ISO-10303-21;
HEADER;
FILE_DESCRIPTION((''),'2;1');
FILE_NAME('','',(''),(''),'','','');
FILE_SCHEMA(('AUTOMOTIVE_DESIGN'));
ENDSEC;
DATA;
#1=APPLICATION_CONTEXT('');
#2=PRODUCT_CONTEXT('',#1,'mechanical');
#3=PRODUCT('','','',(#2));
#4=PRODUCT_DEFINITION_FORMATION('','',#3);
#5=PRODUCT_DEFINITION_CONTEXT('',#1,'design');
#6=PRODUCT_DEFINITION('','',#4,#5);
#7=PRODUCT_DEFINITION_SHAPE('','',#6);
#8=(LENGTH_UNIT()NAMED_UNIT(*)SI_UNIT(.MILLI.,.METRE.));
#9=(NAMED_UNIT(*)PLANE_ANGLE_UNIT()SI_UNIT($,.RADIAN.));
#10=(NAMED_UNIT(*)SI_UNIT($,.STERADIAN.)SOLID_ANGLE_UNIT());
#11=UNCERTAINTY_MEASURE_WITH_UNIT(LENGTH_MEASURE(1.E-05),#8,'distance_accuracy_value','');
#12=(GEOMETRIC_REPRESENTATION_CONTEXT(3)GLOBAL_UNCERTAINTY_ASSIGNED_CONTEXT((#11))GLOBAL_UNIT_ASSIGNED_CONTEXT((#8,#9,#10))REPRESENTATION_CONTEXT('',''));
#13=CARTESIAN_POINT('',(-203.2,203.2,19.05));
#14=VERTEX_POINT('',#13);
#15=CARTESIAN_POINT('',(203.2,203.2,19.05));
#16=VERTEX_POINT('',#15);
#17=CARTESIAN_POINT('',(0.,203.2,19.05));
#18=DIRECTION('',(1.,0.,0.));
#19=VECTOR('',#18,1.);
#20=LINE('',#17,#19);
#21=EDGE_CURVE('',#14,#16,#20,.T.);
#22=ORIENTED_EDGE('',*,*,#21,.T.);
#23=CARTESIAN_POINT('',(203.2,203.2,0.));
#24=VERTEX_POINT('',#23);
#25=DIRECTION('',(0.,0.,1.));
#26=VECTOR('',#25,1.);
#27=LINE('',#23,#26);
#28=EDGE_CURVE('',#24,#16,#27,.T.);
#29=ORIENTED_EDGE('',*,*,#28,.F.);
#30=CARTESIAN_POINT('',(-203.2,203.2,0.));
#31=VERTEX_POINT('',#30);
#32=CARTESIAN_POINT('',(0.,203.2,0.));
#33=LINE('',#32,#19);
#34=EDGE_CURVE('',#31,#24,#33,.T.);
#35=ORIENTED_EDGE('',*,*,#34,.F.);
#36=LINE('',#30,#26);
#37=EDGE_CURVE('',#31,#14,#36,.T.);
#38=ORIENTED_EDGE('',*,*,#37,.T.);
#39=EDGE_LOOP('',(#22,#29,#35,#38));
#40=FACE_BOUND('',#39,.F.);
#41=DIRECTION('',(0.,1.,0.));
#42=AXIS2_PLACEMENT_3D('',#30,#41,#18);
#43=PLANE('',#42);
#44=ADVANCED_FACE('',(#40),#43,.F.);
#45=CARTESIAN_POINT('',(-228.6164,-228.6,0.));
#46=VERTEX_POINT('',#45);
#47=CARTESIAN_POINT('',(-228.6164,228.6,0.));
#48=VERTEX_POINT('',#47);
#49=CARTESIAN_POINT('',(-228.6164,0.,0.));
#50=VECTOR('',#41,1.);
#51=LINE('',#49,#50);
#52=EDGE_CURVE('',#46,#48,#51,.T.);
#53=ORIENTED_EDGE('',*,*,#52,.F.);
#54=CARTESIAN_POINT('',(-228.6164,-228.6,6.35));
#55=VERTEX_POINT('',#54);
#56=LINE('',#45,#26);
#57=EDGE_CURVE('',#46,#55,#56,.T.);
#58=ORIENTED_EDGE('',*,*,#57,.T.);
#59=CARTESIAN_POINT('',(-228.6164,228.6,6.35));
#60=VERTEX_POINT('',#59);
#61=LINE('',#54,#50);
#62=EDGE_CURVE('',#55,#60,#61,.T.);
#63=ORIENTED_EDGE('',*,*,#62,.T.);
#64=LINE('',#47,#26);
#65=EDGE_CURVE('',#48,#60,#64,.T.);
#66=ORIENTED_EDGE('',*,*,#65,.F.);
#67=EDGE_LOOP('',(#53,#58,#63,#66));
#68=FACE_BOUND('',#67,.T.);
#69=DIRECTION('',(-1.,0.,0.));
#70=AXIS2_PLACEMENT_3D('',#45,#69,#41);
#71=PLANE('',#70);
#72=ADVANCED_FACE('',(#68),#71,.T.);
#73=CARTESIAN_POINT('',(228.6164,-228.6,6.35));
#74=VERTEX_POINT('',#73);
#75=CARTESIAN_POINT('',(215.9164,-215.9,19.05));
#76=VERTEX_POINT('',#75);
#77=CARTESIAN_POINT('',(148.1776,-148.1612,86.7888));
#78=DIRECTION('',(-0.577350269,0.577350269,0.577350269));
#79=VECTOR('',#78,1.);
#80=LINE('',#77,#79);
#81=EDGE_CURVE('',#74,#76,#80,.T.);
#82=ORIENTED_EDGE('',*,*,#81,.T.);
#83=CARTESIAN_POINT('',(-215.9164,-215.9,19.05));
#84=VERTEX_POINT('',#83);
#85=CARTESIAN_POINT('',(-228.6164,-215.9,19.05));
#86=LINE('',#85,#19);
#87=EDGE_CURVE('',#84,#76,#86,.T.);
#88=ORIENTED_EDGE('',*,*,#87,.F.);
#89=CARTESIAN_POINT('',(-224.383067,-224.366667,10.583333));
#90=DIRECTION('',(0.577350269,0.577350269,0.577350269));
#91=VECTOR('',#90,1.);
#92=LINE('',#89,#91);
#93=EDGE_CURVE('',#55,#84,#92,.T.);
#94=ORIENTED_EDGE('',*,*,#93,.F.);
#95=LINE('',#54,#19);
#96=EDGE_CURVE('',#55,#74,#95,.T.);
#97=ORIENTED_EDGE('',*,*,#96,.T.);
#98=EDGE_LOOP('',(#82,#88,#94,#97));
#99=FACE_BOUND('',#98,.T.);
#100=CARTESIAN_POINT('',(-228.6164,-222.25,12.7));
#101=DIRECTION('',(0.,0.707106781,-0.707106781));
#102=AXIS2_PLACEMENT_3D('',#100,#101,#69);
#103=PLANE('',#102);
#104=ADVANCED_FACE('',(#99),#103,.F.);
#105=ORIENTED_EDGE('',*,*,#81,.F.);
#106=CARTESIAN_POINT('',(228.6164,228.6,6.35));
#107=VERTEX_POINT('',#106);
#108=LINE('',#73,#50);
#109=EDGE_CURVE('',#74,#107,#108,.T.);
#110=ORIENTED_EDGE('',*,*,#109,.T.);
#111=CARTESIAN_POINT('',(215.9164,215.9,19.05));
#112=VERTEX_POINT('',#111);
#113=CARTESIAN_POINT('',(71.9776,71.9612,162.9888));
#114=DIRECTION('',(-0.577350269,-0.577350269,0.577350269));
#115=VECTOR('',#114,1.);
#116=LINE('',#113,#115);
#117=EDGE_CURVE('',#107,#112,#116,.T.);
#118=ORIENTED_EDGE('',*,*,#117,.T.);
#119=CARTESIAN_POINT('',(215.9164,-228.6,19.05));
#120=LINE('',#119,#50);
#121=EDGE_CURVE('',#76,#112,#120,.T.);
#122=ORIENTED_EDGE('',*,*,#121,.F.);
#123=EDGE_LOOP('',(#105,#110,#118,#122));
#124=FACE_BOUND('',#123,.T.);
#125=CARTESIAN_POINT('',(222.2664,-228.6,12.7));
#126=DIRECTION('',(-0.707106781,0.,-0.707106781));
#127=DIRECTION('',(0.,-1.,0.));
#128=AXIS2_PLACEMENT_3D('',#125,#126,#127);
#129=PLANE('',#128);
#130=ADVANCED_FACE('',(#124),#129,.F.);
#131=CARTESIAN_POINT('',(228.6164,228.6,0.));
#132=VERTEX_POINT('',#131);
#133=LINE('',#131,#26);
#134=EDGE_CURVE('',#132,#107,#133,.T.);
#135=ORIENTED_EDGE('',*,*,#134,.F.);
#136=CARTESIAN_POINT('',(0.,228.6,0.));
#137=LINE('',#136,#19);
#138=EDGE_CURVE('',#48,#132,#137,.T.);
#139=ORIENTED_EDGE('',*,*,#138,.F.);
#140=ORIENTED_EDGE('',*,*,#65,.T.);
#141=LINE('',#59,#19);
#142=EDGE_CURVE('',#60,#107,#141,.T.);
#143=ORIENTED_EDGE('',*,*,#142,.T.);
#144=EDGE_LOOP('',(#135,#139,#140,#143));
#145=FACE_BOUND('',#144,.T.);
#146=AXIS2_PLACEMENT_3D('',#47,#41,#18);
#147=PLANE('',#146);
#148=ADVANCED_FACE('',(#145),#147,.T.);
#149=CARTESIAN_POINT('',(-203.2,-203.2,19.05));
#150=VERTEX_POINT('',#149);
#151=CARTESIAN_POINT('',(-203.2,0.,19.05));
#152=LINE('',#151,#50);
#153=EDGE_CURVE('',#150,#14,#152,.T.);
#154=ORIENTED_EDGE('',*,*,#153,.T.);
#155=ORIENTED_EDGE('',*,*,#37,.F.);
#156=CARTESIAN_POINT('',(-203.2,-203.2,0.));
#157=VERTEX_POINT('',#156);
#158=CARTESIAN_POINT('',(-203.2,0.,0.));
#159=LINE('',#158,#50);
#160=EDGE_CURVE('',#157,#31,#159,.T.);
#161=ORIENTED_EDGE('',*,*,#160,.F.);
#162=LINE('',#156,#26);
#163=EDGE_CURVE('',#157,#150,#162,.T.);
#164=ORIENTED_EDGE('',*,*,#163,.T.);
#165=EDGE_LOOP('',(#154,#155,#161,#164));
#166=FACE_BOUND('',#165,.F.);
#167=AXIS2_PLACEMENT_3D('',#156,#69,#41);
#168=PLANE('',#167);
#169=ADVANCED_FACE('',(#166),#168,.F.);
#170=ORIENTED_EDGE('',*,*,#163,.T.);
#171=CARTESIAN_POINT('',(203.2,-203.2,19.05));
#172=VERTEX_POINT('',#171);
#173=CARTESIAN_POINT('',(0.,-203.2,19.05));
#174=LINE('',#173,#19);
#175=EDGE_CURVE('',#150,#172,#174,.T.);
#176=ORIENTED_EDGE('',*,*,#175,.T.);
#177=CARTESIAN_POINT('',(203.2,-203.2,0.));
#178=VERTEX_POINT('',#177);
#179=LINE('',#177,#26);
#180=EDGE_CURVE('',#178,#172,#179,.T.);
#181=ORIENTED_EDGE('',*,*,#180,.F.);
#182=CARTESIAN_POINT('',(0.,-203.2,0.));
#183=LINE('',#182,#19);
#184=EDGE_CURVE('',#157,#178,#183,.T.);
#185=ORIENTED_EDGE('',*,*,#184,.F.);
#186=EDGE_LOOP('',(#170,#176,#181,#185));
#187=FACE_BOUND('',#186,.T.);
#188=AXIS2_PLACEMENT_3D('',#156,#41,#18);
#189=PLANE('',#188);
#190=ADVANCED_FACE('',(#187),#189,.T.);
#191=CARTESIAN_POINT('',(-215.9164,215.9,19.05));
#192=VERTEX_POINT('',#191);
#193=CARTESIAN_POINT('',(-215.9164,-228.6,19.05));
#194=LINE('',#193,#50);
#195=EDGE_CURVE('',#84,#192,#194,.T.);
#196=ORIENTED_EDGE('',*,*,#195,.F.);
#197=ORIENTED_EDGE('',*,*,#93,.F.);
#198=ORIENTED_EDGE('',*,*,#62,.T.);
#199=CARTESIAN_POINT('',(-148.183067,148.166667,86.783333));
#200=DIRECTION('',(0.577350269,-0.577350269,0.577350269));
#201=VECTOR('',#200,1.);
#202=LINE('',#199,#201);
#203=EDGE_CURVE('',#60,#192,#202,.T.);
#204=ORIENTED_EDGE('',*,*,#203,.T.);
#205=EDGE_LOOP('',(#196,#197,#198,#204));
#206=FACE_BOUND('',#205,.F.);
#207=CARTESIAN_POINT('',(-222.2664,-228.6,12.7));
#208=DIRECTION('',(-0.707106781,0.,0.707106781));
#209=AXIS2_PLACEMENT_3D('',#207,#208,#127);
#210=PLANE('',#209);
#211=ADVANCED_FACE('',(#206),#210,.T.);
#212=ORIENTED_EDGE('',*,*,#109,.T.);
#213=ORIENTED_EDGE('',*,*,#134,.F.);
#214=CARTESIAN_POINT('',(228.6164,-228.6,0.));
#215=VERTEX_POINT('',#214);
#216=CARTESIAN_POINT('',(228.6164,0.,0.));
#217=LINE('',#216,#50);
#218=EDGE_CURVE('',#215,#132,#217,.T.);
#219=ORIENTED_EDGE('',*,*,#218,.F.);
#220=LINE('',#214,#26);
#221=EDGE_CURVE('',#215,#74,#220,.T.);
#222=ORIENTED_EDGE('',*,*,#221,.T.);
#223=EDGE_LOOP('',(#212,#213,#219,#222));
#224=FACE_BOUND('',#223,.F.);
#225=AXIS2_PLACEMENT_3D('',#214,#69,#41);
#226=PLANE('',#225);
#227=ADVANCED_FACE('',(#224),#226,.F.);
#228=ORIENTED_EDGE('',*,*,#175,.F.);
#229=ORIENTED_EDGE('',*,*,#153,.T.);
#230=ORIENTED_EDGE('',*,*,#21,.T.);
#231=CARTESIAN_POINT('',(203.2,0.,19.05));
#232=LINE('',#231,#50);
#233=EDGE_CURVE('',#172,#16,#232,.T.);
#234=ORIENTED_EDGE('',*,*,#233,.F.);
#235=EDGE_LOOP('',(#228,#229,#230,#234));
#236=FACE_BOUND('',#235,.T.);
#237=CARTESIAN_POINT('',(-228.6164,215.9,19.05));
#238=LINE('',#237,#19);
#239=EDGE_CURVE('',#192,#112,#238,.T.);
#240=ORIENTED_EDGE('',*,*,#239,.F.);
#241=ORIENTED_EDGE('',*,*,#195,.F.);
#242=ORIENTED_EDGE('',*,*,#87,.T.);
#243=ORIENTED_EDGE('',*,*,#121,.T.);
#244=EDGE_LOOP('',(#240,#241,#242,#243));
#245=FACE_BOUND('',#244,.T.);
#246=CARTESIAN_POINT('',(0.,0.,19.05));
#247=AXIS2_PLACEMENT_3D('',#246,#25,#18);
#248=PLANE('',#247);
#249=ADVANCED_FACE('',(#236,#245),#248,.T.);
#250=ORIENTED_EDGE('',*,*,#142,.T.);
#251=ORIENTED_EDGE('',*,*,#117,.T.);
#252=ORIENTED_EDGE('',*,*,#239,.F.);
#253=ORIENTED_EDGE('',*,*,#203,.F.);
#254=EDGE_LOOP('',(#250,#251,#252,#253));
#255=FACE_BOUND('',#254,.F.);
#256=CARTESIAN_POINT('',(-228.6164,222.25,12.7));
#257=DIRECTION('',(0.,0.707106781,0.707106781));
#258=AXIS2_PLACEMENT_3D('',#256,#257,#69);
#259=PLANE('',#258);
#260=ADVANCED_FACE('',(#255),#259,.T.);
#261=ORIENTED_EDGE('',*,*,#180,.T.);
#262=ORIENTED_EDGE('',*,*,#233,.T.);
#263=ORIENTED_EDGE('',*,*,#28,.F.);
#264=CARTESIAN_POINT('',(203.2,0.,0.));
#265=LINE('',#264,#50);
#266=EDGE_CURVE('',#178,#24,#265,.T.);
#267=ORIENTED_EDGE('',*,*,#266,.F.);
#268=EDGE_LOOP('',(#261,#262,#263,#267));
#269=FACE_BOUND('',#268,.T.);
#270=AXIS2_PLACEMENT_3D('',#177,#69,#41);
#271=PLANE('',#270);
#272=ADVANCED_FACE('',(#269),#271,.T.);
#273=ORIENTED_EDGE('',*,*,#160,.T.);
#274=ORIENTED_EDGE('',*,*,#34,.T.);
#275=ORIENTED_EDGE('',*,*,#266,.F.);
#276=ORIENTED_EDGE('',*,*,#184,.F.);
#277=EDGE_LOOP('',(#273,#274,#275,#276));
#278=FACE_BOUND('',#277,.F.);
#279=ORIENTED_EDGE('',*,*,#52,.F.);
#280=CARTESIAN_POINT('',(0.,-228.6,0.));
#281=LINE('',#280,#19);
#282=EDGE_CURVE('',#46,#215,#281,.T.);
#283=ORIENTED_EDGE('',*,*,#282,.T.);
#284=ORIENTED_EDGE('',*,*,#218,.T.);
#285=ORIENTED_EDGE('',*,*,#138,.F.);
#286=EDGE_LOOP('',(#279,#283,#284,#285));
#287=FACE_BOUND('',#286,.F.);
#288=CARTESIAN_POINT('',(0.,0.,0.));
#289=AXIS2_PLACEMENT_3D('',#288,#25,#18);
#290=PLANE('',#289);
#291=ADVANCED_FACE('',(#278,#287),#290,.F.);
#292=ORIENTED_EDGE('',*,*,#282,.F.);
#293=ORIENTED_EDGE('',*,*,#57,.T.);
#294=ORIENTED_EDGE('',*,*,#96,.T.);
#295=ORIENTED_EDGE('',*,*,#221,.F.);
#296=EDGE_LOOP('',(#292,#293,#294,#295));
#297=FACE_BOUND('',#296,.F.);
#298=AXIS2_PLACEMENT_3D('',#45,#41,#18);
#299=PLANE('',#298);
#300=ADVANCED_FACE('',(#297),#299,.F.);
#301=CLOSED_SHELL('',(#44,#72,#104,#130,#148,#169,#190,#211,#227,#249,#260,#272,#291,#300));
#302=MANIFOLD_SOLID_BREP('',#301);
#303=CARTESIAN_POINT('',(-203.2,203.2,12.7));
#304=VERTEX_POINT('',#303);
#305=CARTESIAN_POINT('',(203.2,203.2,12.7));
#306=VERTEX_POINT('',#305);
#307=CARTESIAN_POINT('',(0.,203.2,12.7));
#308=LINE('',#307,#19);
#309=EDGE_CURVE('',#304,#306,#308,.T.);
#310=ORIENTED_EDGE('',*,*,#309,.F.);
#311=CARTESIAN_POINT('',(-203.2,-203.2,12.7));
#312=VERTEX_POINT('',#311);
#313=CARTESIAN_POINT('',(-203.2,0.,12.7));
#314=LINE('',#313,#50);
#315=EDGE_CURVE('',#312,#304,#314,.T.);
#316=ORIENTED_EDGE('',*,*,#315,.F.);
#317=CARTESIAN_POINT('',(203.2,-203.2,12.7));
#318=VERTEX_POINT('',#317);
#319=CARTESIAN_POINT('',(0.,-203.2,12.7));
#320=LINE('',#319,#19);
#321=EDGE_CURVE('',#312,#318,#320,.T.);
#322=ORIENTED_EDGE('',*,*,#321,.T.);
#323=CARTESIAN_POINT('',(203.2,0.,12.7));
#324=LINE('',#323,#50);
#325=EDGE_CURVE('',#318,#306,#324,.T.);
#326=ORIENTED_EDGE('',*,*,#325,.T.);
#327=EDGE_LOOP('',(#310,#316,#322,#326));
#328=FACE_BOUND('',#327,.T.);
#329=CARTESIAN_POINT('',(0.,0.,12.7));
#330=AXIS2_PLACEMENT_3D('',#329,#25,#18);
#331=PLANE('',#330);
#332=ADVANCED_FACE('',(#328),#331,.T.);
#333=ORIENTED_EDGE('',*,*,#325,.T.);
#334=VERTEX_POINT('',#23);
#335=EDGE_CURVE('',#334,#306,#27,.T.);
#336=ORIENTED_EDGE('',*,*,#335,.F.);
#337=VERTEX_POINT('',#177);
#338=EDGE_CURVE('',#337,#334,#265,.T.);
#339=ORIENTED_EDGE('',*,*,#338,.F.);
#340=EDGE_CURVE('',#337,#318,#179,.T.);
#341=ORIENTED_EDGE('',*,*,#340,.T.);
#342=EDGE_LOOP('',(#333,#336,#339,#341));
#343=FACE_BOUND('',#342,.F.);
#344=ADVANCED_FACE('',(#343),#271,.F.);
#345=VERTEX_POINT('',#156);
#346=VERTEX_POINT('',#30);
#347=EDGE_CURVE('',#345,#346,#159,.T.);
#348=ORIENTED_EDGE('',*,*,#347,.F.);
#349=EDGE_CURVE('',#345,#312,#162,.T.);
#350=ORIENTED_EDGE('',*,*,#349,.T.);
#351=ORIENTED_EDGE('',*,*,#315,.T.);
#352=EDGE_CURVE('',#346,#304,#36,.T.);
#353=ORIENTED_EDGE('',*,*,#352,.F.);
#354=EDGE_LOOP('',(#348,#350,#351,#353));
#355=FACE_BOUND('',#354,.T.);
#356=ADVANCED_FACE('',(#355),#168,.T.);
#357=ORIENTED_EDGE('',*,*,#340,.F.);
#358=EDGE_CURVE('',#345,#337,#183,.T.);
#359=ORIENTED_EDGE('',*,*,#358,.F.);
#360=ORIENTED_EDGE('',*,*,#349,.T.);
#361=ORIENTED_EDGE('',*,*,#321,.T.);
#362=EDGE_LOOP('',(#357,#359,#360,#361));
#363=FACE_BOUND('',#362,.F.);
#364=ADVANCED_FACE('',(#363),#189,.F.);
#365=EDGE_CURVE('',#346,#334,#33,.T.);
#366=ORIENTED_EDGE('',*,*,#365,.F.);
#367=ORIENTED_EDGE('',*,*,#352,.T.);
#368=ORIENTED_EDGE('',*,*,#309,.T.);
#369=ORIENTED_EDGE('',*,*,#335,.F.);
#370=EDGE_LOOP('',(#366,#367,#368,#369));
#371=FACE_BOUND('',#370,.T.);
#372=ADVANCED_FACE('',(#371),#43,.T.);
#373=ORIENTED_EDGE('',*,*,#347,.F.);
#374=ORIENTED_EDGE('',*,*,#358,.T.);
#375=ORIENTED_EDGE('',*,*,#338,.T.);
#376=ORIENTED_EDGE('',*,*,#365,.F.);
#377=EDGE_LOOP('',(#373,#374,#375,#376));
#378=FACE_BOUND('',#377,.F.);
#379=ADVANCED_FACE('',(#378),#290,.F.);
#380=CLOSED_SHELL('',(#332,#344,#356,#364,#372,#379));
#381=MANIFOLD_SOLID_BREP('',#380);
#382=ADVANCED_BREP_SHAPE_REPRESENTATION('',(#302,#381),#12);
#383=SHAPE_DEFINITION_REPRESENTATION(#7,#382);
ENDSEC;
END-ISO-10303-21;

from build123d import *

# Parameters (mm, degrees)
F2_W     = 406.4
F2_H     = 406.4
F3_DEPTH = 12.7
F0_W     = 457.2328
F0_H     = 457.2
F0_W_2   = 406.4
F0_H_2   = 406.4
F4_DEPTH = 19.05
F1_SIZE  = 12.7


with BuildPart() as f3:
    # F2 (on Top) → F3 (new body)
    with BuildSketch(Plane.XY):
        Rectangle(F2_W, F2_H)
    extrude(amount=F3_DEPTH)


with BuildPart() as f4:
    # F0 (on face) → F4 (new body)
    with BuildSketch(Plane.XY):
        Rectangle(F0_W, F0_H)
        Rectangle(F0_W_2, F0_H_2, mode=Mode.SUBTRACT)
    extrude(amount=F4_DEPTH)

    # F1
    f1_edges = [f4.edges().sort_by_distance(p)[0] for p in [
        (0, -228.6, 19.05),
        (-228.6164, 0, 19.05),
        (228.6164, 0, 19.05),
        (0, 228.6, 19.05),
    ]]
    chamfer(f1_edges, length=F1_SIZE)


solid = Compound([f3.part, f4.part])
